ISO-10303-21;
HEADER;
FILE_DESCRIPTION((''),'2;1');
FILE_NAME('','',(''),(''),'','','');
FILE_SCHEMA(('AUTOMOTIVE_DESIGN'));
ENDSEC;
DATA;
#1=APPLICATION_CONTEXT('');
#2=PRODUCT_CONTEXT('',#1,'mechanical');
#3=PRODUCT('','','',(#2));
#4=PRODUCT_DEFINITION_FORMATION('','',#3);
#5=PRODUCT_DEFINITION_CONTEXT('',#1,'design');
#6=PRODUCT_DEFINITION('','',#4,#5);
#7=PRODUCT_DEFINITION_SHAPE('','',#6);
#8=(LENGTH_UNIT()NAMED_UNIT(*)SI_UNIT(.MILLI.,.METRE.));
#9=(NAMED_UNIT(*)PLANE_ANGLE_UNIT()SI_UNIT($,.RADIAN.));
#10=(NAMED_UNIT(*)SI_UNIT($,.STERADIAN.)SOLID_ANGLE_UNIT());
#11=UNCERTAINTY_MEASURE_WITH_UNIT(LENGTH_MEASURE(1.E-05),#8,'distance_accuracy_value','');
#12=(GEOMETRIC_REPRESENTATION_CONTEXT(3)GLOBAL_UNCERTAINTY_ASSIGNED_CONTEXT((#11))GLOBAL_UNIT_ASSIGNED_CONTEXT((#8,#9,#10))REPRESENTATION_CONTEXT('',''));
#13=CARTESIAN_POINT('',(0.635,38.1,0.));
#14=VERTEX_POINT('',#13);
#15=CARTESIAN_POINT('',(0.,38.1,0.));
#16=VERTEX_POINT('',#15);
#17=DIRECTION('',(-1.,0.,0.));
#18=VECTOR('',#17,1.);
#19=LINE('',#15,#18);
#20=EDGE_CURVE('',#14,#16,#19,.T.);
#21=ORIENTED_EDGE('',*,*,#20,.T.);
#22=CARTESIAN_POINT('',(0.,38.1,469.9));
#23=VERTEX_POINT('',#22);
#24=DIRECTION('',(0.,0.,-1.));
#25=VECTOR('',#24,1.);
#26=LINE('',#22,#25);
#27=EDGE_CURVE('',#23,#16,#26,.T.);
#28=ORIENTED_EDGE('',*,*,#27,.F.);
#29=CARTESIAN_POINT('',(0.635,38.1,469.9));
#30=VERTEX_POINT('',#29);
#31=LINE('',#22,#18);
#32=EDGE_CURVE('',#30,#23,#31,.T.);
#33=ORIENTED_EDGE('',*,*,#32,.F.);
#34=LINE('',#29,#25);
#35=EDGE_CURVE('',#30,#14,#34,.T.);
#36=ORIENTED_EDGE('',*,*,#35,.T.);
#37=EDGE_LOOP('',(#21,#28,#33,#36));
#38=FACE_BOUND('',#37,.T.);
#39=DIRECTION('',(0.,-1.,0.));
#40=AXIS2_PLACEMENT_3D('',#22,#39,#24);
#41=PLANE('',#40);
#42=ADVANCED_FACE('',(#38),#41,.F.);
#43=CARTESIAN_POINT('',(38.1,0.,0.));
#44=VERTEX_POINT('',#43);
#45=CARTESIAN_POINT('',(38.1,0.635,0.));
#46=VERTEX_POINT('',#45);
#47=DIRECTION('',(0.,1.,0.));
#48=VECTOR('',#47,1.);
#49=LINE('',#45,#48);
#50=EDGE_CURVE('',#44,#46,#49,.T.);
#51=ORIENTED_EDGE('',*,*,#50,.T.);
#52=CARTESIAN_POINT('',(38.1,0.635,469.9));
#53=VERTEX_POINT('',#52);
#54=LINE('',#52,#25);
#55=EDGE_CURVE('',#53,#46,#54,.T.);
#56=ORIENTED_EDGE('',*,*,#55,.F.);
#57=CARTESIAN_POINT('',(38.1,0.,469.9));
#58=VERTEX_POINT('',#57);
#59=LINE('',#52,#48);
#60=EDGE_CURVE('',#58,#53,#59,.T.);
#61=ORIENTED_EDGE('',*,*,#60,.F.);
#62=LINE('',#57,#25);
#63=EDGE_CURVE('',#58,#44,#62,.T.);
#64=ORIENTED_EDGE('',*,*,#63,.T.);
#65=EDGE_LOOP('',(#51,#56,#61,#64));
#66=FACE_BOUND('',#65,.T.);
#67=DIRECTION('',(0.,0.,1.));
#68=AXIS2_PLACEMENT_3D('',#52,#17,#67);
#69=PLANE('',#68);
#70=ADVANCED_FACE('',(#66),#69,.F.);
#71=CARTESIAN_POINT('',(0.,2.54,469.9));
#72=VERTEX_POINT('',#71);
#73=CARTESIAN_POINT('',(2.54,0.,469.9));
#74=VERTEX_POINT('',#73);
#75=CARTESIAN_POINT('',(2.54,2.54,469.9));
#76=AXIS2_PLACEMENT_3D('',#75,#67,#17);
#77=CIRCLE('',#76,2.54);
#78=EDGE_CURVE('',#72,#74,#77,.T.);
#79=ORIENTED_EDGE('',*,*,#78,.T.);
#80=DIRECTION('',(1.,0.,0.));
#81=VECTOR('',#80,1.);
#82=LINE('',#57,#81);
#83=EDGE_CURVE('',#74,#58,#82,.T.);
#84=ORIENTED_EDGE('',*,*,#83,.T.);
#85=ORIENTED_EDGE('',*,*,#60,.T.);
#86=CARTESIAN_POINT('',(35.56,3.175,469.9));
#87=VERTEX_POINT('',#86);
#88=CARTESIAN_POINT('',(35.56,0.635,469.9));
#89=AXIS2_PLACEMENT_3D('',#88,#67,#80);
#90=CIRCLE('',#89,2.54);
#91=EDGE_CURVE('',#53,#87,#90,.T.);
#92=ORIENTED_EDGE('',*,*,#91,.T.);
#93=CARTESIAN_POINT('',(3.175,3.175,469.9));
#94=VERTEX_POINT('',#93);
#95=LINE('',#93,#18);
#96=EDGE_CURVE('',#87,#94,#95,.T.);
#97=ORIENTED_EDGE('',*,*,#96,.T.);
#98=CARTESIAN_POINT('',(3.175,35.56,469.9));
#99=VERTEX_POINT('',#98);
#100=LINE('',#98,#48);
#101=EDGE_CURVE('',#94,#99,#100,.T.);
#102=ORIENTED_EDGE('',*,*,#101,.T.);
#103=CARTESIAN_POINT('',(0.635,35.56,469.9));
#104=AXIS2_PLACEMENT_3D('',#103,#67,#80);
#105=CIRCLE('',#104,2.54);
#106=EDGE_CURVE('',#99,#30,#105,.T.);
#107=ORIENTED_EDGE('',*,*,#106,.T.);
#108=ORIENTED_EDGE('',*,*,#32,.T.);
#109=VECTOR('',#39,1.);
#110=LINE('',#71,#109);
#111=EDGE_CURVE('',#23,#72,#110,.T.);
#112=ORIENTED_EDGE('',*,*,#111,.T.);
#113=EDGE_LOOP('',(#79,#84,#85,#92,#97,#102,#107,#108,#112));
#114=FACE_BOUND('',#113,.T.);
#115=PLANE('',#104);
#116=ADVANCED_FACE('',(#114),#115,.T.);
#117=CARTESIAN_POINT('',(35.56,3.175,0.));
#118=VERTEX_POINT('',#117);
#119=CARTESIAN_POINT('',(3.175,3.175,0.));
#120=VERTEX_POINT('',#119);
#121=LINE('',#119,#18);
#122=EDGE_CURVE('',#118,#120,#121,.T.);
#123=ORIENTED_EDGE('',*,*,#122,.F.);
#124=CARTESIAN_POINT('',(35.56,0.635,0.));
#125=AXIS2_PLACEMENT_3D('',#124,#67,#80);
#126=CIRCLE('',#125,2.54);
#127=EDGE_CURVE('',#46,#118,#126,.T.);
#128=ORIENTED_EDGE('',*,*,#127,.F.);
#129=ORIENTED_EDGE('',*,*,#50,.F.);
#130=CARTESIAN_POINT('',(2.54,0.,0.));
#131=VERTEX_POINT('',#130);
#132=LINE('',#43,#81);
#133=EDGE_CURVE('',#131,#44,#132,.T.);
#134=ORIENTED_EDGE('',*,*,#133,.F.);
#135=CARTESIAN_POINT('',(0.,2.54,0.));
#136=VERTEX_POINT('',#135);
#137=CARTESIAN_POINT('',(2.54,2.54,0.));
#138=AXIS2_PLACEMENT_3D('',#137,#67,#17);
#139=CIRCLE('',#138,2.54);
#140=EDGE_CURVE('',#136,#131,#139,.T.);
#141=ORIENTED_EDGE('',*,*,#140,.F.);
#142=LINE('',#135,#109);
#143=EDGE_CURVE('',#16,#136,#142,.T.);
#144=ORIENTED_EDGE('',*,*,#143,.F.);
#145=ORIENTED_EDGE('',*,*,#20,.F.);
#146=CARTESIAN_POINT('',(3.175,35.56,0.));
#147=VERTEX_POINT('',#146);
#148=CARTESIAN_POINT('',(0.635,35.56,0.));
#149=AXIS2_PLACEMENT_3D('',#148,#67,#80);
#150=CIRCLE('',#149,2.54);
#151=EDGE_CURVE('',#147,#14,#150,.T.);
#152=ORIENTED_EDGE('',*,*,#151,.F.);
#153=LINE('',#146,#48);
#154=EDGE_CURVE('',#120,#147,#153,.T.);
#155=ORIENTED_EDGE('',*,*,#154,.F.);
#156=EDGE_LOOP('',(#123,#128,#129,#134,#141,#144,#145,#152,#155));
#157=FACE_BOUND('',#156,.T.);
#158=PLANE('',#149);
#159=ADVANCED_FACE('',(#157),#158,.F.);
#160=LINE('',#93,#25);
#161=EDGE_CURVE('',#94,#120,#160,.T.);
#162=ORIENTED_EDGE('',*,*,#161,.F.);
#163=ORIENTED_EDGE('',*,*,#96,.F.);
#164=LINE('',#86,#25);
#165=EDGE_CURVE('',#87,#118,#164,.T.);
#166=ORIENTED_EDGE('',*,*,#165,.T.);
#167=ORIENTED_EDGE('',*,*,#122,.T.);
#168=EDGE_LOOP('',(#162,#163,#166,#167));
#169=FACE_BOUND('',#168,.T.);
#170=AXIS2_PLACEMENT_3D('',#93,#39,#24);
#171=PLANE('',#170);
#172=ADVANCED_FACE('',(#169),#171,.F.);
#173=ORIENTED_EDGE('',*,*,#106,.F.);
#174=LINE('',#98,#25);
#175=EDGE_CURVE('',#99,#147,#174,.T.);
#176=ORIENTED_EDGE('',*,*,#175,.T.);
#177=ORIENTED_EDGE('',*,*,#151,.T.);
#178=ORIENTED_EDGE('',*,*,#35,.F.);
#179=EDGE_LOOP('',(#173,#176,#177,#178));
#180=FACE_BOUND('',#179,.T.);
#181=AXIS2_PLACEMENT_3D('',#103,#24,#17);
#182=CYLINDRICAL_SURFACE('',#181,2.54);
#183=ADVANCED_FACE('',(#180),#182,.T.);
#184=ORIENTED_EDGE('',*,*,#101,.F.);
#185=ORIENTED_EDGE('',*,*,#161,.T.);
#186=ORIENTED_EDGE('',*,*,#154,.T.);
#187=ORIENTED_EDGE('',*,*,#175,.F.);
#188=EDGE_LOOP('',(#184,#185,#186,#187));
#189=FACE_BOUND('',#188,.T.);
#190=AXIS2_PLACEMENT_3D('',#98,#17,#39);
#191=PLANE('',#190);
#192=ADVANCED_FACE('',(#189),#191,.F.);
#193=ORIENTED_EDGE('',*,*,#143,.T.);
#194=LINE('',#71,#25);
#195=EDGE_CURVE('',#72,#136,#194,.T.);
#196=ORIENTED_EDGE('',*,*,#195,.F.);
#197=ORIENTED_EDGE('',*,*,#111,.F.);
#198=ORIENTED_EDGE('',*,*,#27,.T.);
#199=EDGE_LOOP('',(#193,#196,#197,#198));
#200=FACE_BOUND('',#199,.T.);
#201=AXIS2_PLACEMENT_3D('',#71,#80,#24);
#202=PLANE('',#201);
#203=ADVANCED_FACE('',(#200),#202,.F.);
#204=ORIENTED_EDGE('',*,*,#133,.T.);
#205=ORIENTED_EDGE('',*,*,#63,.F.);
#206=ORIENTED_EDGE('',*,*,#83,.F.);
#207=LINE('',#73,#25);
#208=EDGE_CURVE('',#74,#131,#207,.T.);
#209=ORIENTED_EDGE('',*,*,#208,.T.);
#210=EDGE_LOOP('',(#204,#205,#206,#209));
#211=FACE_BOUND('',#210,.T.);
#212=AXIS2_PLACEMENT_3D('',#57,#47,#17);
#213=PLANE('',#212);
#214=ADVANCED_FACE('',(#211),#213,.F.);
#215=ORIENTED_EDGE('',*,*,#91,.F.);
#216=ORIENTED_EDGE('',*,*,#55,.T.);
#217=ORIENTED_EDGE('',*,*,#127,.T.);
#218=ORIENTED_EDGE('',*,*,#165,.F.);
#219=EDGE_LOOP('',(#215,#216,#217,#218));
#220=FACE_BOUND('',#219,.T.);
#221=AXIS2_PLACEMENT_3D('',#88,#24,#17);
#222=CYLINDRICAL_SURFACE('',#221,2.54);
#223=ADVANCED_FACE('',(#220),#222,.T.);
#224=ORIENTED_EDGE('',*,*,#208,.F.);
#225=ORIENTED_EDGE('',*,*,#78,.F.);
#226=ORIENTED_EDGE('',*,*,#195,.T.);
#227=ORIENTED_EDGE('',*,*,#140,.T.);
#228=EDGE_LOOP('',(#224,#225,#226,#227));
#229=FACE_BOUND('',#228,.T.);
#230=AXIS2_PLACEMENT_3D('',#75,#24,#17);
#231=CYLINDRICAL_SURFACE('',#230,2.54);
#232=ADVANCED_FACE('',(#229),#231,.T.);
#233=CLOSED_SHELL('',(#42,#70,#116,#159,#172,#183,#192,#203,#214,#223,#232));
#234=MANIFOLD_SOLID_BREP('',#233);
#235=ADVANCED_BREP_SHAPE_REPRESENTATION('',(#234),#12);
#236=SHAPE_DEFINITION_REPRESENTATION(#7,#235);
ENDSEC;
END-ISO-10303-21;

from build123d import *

# Parameters (mm, degrees)
BOSS_EXTRUDE1_DEPTH = 469.9


with BuildPart() as part:
    # Sketch1 → Boss-Extrude1 (new body)
    with BuildSketch(Plane.XY):
        with BuildLine():
            Line((0, 2.54), (0, 38.1))
            Line((0, 38.1), (0.635, 38.1))
            ThreePointArc((0.635, 38.1), (2.431051224, 37.356051224), (3.175, 35.56))
            Line((3.175, 35.56), (3.175, 3.175))
            Line((3.175, 3.175), (35.56, 3.175))
            ThreePointArc((35.56, 3.175), (37.356051224, 2.431051224), (38.1, 0.635))
            Line((38.1, 0.635), (38.1, 0))
            Line((38.1, 0), (2.54, 0))
            ThreePointArc((2.54, 0), (0.743948776, 0.743948776), (0, 2.54))
        make_face()
    extrude(amount=BOSS_EXTRUDE1_DEPTH)


solid = part.part
